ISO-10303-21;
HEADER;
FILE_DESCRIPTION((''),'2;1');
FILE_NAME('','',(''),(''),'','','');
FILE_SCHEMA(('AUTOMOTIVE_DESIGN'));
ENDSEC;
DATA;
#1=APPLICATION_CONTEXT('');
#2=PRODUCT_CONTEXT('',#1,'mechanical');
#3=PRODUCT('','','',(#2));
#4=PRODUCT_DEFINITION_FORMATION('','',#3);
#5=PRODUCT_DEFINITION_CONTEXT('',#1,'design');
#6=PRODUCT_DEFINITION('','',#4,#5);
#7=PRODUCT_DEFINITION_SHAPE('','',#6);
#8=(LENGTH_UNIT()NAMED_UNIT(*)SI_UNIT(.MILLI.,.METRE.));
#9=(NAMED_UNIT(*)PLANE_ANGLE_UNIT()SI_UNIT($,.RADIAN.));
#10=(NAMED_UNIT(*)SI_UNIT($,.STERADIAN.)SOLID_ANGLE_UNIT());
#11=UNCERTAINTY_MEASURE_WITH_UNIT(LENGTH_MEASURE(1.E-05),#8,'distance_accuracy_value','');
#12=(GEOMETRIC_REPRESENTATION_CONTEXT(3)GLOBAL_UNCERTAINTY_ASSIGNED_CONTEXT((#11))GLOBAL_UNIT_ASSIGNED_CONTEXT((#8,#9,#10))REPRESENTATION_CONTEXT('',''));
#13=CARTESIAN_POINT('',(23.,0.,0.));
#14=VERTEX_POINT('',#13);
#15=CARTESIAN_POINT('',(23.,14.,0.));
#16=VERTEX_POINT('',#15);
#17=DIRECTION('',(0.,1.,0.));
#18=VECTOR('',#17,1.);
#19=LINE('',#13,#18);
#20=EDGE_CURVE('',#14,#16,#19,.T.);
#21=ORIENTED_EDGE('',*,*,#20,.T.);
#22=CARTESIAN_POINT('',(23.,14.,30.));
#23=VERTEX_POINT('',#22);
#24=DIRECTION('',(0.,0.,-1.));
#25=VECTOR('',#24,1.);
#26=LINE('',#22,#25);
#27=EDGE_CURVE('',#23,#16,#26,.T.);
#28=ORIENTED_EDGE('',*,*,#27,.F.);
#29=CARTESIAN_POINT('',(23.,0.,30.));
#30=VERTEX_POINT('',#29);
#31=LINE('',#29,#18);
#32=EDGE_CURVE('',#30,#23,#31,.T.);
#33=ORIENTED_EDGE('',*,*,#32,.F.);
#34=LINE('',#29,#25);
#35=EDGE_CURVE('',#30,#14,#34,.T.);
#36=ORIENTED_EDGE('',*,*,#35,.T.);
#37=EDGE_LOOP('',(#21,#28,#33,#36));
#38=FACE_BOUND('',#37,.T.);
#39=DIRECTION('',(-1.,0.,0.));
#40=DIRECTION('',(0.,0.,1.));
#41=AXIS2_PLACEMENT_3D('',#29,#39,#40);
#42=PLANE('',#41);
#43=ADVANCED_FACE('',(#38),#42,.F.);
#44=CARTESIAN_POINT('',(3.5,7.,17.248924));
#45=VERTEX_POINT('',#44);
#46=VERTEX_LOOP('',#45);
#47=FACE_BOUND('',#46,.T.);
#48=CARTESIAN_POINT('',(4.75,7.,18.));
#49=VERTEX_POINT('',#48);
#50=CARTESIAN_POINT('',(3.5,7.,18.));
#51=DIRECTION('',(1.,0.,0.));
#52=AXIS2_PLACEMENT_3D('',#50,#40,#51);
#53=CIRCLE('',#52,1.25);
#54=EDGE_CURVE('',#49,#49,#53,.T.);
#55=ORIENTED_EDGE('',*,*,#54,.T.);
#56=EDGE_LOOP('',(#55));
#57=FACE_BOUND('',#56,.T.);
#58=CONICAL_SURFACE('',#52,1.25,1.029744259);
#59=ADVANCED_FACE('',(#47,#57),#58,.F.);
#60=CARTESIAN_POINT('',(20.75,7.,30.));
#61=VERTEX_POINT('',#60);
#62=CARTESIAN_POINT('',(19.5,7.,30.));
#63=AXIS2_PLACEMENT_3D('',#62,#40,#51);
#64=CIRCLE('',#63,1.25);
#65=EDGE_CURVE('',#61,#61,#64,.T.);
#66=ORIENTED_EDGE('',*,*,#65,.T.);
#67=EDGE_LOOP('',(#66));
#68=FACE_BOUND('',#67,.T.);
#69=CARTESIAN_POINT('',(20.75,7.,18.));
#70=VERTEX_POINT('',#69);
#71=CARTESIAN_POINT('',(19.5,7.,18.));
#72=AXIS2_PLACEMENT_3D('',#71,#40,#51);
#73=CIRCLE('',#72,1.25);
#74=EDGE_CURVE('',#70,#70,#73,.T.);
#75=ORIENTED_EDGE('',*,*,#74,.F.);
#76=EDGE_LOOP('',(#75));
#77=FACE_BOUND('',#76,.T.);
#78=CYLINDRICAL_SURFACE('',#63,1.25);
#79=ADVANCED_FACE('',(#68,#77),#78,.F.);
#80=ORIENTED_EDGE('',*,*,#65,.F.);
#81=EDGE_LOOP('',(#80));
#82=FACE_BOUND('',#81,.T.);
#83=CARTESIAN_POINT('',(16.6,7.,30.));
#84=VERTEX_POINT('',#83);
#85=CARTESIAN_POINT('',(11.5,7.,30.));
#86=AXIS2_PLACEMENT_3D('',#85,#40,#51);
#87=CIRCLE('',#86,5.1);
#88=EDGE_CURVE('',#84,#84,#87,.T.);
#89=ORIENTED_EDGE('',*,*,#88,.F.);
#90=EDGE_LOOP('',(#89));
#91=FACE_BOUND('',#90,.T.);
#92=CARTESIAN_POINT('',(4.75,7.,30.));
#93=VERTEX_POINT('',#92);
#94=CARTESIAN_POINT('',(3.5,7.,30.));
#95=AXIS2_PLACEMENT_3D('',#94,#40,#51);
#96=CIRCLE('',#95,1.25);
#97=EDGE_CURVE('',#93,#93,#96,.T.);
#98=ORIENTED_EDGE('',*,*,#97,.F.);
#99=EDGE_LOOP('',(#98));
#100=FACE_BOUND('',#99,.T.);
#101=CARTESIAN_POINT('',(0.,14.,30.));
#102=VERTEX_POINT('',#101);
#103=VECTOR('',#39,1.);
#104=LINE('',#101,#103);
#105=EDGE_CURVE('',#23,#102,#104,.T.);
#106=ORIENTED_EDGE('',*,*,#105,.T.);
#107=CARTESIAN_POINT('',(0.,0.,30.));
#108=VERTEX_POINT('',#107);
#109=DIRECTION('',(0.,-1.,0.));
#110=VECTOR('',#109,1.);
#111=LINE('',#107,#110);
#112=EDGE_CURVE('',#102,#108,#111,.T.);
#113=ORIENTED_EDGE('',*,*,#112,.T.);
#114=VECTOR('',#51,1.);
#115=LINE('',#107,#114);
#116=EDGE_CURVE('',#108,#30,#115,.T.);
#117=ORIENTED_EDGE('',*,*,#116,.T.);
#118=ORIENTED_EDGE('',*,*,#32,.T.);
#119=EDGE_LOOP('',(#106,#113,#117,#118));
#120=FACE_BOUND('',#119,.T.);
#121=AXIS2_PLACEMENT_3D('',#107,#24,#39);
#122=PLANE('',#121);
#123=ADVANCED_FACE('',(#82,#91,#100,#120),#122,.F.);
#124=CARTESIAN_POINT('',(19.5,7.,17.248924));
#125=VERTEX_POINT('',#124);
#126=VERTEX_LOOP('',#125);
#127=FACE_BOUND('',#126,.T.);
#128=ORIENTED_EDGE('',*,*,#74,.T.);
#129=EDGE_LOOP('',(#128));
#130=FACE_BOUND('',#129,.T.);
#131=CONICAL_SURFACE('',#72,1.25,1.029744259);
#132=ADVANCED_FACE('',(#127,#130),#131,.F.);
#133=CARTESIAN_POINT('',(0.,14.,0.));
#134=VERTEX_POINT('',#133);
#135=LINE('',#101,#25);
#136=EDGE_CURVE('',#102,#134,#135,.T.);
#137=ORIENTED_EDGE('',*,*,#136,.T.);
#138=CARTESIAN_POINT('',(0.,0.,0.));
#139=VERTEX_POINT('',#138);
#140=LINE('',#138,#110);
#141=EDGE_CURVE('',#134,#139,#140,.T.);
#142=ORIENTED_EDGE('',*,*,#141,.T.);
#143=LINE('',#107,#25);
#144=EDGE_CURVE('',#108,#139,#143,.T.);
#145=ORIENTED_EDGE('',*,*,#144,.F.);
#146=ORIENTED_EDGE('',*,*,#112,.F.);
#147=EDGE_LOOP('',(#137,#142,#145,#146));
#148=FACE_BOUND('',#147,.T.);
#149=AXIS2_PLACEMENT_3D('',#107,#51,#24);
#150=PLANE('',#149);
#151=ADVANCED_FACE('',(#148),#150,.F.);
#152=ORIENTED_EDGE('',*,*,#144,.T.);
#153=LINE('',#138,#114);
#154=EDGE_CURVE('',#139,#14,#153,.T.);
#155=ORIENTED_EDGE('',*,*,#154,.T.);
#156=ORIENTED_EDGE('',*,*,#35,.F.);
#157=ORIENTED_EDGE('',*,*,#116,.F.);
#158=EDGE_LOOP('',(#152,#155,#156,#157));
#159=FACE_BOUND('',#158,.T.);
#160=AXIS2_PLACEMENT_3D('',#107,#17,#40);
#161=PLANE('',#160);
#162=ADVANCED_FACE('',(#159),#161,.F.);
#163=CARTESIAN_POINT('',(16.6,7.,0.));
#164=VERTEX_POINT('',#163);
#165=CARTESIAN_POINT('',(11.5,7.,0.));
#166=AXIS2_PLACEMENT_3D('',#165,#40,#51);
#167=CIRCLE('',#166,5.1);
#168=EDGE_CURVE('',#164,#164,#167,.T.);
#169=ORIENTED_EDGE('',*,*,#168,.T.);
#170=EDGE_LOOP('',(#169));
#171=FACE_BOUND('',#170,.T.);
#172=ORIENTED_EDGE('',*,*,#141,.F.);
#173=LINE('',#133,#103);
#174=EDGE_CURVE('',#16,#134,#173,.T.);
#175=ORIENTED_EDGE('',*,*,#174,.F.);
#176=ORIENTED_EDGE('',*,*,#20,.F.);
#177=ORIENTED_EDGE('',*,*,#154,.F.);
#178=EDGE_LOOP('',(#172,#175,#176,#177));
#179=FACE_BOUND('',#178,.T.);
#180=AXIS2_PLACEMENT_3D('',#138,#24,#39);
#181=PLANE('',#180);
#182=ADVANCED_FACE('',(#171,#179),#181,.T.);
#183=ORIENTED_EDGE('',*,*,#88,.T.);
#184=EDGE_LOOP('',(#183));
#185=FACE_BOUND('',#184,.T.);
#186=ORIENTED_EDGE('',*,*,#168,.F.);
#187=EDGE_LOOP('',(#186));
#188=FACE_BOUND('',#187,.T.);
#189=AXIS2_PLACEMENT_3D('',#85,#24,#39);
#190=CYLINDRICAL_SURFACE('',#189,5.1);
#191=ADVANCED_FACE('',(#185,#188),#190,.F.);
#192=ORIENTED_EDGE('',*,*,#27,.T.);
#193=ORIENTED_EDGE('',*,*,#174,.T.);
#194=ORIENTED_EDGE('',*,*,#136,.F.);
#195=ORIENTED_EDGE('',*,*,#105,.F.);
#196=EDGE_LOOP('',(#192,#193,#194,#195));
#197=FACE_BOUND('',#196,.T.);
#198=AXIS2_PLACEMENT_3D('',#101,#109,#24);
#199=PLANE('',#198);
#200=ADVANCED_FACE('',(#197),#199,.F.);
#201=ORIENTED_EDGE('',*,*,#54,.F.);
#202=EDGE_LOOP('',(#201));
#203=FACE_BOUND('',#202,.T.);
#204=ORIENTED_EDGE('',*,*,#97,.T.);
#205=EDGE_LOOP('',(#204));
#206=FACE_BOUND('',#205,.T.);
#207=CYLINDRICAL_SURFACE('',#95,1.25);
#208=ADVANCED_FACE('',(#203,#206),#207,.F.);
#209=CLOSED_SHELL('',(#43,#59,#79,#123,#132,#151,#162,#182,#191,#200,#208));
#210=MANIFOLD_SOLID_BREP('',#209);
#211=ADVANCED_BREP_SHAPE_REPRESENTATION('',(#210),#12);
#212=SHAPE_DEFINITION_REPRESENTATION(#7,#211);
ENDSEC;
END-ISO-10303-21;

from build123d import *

# Parameters (mm, degrees)
CROQUIS1_W                                     = 23
CROQUIS1_H                                     = 14
CROQUIS1_R                                     = 5.1
SALIENTE_EXTRUIR1_DEPTH                        = 30
PERFORADOR_PARA_ROSCAR_PARA_MACHO_DE_ROS_D     = 2.5
PERFORADOR_PARA_ROSCAR_PARA_MACHO_DE_ROS_DEPTH = 12
PERFORADOR_PARA_ROSCAR_PARA_MACHO_DE_ROS_TIP   = 0.751075774


with BuildPart() as part:
    # Croquis1 → Saliente-Extruir1 (new body)
    with BuildSketch(Plane.XY):
        with Locations((11.5, 7)):
            Rectangle(CROQUIS1_W, CROQUIS1_H)
        with Locations((11.5, 7)):
            Circle(CROQUIS1_R, mode=Mode.SUBTRACT)
    extrude(amount=SALIENTE_EXTRUIR1_DEPTH)

    # Perforador para roscar para macho de roscar para M31
    with Locations(Plane.XY.offset(30)):
        with Locations((3.5, 7), (19.5, 7)):
            Hole(PERFORADOR_PARA_ROSCAR_PARA_MACHO_DE_ROS_D / 2, depth=PERFORADOR_PARA_ROSCAR_PARA_MACHO_DE_ROS_DEPTH)
            with Locations((0, 0, -(PERFORADOR_PARA_ROSCAR_PARA_MACHO_DE_ROS_DEPTH + PERFORADOR_PARA_ROSCAR_PARA_MACHO_DE_ROS_TIP / 2))):  # 118° drill point
                Cone(0, PERFORADOR_PARA_ROSCAR_PARA_MACHO_DE_ROS_D / 2, PERFORADOR_PARA_ROSCAR_PARA_MACHO_DE_ROS_TIP, mode=Mode.SUBTRACT)


solid = part.part
